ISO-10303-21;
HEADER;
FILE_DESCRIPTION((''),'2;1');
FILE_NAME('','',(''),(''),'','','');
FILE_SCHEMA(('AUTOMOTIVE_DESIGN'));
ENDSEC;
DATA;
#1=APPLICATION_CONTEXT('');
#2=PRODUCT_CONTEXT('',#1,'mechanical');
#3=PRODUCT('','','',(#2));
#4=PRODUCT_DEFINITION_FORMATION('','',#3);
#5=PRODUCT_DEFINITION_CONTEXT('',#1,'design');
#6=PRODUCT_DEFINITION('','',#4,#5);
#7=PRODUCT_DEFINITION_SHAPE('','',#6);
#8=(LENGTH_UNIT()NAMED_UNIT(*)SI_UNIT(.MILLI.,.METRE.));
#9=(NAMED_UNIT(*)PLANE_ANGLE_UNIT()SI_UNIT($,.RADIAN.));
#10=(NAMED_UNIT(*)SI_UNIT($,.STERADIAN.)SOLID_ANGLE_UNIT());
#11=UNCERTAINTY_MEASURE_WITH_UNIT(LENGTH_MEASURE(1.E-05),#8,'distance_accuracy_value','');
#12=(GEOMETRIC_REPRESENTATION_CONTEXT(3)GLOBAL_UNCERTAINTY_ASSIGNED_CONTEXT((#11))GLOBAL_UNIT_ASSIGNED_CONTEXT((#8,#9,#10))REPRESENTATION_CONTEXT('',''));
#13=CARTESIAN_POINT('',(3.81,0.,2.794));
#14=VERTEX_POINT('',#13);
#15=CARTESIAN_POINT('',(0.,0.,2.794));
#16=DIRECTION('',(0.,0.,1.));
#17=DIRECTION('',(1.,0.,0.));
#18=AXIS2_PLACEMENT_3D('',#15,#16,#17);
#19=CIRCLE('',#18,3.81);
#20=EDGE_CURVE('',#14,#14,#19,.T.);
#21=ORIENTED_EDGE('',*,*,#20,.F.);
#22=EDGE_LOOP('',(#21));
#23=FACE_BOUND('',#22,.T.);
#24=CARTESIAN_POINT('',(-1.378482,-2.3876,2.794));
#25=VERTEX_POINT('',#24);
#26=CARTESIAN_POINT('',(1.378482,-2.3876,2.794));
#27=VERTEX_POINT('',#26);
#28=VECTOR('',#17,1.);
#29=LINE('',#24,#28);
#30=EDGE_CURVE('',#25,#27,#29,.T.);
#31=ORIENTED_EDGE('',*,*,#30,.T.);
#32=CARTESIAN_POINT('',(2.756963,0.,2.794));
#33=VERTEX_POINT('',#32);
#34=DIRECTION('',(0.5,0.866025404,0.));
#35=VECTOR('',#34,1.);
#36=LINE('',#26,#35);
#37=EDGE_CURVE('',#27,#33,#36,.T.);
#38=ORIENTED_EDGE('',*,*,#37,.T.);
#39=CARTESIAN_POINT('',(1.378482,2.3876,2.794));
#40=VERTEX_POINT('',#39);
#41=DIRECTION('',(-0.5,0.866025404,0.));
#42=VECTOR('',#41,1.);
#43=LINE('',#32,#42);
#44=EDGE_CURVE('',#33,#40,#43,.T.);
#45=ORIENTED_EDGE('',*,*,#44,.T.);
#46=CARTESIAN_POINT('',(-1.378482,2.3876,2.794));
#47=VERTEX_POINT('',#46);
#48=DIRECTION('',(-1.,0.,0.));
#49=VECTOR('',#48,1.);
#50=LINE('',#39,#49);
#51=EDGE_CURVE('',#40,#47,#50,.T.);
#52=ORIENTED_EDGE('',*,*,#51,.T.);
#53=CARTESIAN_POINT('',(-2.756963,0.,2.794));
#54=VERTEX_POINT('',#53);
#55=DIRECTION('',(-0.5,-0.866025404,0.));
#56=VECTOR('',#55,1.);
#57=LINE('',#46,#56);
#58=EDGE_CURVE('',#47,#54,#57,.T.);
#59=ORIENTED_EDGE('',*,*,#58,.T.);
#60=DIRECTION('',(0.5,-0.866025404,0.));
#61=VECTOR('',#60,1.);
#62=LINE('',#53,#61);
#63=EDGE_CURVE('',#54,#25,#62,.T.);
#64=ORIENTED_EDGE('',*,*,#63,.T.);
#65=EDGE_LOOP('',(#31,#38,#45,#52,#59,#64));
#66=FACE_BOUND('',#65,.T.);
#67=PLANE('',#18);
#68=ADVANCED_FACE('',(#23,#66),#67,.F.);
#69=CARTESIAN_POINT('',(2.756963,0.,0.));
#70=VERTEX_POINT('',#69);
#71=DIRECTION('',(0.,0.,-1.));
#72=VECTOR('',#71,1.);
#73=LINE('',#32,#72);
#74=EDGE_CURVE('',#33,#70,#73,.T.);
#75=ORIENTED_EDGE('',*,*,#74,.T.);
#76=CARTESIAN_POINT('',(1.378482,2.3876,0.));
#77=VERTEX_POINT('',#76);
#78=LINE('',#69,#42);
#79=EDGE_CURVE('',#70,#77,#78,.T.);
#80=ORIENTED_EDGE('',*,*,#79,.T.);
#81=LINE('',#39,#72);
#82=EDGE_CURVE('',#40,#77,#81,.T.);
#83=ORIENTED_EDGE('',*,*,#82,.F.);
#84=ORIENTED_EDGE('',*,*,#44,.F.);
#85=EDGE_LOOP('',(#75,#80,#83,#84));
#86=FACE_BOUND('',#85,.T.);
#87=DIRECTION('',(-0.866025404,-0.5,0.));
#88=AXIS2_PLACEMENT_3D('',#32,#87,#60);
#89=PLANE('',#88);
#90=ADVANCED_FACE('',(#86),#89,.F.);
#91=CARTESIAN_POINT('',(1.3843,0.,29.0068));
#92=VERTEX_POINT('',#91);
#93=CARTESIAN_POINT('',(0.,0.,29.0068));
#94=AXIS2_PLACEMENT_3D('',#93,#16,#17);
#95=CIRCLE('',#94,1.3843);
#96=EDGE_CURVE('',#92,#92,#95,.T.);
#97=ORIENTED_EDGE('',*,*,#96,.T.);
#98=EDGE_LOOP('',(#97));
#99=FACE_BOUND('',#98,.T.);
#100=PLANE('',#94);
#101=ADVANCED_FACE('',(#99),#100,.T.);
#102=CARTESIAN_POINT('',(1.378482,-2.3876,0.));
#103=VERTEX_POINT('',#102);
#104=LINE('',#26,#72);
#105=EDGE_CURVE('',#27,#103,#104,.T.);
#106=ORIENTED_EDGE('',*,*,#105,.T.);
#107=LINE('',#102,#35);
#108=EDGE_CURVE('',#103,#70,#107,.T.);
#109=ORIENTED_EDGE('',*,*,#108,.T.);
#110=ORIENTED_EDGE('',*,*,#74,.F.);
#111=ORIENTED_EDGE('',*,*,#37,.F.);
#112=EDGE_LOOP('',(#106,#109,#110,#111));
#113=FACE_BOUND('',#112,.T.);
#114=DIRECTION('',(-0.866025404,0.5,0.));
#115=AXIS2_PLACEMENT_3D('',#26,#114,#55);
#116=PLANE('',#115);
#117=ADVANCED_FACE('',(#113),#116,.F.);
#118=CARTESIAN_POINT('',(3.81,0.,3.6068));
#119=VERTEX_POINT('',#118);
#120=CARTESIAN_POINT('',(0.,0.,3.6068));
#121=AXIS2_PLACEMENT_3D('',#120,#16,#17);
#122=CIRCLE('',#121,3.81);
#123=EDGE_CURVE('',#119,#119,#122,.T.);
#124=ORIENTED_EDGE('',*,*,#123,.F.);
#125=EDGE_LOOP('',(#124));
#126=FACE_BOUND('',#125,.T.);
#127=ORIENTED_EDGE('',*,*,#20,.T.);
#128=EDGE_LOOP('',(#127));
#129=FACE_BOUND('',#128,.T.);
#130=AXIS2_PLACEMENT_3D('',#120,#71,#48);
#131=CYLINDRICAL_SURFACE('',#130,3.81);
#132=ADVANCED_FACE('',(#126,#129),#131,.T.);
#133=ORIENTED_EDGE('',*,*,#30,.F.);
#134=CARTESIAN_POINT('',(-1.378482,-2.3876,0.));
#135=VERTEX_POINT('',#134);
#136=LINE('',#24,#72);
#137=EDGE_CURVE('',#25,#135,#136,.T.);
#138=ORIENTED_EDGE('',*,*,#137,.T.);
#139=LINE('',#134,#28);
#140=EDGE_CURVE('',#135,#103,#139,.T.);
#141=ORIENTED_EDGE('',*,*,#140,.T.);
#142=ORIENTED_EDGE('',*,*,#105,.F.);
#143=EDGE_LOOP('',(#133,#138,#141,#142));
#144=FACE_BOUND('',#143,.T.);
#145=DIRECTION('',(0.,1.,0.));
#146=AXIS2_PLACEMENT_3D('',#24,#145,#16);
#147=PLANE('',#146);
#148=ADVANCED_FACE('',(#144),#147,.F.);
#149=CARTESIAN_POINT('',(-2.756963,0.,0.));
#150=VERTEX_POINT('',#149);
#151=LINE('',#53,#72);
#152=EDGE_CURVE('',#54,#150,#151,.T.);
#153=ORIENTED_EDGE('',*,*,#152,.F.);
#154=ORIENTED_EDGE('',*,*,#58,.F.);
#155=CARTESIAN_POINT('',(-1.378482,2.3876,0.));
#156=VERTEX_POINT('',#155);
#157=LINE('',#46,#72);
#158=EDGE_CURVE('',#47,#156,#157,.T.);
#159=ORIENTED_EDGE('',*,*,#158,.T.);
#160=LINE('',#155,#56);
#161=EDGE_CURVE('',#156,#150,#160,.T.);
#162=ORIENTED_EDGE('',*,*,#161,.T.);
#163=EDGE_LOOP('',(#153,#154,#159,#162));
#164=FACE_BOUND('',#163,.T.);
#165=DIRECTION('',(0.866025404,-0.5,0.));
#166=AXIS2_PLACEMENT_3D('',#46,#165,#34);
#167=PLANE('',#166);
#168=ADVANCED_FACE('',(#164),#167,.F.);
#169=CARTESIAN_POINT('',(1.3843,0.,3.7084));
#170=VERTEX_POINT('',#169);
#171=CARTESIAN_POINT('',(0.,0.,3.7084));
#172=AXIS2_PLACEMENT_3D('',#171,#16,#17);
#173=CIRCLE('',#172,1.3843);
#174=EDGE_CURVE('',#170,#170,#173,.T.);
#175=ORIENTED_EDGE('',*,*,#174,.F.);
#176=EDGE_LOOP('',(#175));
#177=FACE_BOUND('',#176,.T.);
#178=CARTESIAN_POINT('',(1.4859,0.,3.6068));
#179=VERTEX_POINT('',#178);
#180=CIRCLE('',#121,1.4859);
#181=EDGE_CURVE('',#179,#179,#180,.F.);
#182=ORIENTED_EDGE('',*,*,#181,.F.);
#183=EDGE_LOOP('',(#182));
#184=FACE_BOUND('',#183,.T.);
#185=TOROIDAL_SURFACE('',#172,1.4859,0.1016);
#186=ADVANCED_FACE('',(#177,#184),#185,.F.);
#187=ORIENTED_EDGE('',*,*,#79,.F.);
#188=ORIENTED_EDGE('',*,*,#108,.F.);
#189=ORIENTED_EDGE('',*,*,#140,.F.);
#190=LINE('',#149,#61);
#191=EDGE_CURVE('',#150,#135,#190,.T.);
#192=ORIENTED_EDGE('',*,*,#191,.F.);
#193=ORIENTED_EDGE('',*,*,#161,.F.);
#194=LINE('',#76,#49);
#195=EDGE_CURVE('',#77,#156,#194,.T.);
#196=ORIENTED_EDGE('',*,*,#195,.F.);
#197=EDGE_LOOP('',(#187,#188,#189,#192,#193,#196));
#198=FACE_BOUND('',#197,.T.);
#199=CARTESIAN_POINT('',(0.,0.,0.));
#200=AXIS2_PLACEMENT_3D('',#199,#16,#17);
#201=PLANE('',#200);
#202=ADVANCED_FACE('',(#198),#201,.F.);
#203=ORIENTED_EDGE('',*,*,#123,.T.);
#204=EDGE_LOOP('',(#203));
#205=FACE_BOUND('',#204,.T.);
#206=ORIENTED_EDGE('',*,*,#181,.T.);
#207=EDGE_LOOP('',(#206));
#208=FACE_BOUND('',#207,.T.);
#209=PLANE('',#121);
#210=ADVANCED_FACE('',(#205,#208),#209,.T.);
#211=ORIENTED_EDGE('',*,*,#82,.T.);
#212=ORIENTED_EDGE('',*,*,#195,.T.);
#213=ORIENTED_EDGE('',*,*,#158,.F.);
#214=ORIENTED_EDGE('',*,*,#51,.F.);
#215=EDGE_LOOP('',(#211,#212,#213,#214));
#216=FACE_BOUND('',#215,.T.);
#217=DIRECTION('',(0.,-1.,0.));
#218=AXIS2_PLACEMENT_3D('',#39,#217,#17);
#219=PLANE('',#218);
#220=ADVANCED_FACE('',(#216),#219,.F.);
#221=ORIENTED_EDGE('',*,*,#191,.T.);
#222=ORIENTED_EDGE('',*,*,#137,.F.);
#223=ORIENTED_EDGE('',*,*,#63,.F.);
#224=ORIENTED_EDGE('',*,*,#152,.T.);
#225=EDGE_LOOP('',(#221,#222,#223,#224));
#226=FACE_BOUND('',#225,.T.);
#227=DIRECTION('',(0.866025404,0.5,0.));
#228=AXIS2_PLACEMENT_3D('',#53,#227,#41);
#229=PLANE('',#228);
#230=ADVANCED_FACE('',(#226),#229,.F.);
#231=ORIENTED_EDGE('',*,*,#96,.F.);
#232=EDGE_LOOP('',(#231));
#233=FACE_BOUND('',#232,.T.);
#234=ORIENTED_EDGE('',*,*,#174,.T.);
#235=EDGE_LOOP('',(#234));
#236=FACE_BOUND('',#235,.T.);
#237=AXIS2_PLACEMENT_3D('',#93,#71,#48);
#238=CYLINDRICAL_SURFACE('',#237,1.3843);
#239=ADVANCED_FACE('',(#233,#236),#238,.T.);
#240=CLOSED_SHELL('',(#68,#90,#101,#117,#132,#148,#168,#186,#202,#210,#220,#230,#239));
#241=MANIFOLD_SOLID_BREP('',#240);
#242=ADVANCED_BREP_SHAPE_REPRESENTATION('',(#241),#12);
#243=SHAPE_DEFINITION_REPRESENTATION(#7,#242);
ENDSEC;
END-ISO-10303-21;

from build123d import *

# Parameters (mm, degrees)
BOSS_EXTRUDE1_DEPTH = 2.794
SKETCH2_R           = 3.81
BOSS_EXTRUDE2_DEPTH = 0.8128
SKETCH3_R           = 1.3843
BOSS_EXTRUDE3_DEPTH = 25.4
FILLET1_R           = 0.1016


with BuildPart() as part:
    # Sketch1 → Boss-Extrude1 (new body)
    with BuildSketch(Plane.XY):
        Polygon((2.756963005, 0), (1.378481503, 2.3876), (-1.378481503, 2.3876), (-2.756963005, 0), (-1.378481503, -2.3876), (1.378481503, -2.3876), align=None)
    extrude(amount=BOSS_EXTRUDE1_DEPTH)

    # Sketch2 → Boss-Extrude2 (add)
    with BuildSketch(Plane.XY.offset(2.794)):
        Circle(SKETCH2_R)
    extrude(amount=BOSS_EXTRUDE2_DEPTH)

    # Sketch3 → Boss-Extrude3 (add)
    with BuildSketch(Plane.XY.offset(3.6068)):
        Circle(SKETCH3_R)
    extrude(amount=BOSS_EXTRUDE3_DEPTH)

    # Fillet1
    fillet1_edges = [part.edges().sort_by_distance(p)[0] for p in [
        (-1.3843, 0, 3.6068),
    ]]
    fillet(fillet1_edges, radius=FILLET1_R)


solid = part.part
